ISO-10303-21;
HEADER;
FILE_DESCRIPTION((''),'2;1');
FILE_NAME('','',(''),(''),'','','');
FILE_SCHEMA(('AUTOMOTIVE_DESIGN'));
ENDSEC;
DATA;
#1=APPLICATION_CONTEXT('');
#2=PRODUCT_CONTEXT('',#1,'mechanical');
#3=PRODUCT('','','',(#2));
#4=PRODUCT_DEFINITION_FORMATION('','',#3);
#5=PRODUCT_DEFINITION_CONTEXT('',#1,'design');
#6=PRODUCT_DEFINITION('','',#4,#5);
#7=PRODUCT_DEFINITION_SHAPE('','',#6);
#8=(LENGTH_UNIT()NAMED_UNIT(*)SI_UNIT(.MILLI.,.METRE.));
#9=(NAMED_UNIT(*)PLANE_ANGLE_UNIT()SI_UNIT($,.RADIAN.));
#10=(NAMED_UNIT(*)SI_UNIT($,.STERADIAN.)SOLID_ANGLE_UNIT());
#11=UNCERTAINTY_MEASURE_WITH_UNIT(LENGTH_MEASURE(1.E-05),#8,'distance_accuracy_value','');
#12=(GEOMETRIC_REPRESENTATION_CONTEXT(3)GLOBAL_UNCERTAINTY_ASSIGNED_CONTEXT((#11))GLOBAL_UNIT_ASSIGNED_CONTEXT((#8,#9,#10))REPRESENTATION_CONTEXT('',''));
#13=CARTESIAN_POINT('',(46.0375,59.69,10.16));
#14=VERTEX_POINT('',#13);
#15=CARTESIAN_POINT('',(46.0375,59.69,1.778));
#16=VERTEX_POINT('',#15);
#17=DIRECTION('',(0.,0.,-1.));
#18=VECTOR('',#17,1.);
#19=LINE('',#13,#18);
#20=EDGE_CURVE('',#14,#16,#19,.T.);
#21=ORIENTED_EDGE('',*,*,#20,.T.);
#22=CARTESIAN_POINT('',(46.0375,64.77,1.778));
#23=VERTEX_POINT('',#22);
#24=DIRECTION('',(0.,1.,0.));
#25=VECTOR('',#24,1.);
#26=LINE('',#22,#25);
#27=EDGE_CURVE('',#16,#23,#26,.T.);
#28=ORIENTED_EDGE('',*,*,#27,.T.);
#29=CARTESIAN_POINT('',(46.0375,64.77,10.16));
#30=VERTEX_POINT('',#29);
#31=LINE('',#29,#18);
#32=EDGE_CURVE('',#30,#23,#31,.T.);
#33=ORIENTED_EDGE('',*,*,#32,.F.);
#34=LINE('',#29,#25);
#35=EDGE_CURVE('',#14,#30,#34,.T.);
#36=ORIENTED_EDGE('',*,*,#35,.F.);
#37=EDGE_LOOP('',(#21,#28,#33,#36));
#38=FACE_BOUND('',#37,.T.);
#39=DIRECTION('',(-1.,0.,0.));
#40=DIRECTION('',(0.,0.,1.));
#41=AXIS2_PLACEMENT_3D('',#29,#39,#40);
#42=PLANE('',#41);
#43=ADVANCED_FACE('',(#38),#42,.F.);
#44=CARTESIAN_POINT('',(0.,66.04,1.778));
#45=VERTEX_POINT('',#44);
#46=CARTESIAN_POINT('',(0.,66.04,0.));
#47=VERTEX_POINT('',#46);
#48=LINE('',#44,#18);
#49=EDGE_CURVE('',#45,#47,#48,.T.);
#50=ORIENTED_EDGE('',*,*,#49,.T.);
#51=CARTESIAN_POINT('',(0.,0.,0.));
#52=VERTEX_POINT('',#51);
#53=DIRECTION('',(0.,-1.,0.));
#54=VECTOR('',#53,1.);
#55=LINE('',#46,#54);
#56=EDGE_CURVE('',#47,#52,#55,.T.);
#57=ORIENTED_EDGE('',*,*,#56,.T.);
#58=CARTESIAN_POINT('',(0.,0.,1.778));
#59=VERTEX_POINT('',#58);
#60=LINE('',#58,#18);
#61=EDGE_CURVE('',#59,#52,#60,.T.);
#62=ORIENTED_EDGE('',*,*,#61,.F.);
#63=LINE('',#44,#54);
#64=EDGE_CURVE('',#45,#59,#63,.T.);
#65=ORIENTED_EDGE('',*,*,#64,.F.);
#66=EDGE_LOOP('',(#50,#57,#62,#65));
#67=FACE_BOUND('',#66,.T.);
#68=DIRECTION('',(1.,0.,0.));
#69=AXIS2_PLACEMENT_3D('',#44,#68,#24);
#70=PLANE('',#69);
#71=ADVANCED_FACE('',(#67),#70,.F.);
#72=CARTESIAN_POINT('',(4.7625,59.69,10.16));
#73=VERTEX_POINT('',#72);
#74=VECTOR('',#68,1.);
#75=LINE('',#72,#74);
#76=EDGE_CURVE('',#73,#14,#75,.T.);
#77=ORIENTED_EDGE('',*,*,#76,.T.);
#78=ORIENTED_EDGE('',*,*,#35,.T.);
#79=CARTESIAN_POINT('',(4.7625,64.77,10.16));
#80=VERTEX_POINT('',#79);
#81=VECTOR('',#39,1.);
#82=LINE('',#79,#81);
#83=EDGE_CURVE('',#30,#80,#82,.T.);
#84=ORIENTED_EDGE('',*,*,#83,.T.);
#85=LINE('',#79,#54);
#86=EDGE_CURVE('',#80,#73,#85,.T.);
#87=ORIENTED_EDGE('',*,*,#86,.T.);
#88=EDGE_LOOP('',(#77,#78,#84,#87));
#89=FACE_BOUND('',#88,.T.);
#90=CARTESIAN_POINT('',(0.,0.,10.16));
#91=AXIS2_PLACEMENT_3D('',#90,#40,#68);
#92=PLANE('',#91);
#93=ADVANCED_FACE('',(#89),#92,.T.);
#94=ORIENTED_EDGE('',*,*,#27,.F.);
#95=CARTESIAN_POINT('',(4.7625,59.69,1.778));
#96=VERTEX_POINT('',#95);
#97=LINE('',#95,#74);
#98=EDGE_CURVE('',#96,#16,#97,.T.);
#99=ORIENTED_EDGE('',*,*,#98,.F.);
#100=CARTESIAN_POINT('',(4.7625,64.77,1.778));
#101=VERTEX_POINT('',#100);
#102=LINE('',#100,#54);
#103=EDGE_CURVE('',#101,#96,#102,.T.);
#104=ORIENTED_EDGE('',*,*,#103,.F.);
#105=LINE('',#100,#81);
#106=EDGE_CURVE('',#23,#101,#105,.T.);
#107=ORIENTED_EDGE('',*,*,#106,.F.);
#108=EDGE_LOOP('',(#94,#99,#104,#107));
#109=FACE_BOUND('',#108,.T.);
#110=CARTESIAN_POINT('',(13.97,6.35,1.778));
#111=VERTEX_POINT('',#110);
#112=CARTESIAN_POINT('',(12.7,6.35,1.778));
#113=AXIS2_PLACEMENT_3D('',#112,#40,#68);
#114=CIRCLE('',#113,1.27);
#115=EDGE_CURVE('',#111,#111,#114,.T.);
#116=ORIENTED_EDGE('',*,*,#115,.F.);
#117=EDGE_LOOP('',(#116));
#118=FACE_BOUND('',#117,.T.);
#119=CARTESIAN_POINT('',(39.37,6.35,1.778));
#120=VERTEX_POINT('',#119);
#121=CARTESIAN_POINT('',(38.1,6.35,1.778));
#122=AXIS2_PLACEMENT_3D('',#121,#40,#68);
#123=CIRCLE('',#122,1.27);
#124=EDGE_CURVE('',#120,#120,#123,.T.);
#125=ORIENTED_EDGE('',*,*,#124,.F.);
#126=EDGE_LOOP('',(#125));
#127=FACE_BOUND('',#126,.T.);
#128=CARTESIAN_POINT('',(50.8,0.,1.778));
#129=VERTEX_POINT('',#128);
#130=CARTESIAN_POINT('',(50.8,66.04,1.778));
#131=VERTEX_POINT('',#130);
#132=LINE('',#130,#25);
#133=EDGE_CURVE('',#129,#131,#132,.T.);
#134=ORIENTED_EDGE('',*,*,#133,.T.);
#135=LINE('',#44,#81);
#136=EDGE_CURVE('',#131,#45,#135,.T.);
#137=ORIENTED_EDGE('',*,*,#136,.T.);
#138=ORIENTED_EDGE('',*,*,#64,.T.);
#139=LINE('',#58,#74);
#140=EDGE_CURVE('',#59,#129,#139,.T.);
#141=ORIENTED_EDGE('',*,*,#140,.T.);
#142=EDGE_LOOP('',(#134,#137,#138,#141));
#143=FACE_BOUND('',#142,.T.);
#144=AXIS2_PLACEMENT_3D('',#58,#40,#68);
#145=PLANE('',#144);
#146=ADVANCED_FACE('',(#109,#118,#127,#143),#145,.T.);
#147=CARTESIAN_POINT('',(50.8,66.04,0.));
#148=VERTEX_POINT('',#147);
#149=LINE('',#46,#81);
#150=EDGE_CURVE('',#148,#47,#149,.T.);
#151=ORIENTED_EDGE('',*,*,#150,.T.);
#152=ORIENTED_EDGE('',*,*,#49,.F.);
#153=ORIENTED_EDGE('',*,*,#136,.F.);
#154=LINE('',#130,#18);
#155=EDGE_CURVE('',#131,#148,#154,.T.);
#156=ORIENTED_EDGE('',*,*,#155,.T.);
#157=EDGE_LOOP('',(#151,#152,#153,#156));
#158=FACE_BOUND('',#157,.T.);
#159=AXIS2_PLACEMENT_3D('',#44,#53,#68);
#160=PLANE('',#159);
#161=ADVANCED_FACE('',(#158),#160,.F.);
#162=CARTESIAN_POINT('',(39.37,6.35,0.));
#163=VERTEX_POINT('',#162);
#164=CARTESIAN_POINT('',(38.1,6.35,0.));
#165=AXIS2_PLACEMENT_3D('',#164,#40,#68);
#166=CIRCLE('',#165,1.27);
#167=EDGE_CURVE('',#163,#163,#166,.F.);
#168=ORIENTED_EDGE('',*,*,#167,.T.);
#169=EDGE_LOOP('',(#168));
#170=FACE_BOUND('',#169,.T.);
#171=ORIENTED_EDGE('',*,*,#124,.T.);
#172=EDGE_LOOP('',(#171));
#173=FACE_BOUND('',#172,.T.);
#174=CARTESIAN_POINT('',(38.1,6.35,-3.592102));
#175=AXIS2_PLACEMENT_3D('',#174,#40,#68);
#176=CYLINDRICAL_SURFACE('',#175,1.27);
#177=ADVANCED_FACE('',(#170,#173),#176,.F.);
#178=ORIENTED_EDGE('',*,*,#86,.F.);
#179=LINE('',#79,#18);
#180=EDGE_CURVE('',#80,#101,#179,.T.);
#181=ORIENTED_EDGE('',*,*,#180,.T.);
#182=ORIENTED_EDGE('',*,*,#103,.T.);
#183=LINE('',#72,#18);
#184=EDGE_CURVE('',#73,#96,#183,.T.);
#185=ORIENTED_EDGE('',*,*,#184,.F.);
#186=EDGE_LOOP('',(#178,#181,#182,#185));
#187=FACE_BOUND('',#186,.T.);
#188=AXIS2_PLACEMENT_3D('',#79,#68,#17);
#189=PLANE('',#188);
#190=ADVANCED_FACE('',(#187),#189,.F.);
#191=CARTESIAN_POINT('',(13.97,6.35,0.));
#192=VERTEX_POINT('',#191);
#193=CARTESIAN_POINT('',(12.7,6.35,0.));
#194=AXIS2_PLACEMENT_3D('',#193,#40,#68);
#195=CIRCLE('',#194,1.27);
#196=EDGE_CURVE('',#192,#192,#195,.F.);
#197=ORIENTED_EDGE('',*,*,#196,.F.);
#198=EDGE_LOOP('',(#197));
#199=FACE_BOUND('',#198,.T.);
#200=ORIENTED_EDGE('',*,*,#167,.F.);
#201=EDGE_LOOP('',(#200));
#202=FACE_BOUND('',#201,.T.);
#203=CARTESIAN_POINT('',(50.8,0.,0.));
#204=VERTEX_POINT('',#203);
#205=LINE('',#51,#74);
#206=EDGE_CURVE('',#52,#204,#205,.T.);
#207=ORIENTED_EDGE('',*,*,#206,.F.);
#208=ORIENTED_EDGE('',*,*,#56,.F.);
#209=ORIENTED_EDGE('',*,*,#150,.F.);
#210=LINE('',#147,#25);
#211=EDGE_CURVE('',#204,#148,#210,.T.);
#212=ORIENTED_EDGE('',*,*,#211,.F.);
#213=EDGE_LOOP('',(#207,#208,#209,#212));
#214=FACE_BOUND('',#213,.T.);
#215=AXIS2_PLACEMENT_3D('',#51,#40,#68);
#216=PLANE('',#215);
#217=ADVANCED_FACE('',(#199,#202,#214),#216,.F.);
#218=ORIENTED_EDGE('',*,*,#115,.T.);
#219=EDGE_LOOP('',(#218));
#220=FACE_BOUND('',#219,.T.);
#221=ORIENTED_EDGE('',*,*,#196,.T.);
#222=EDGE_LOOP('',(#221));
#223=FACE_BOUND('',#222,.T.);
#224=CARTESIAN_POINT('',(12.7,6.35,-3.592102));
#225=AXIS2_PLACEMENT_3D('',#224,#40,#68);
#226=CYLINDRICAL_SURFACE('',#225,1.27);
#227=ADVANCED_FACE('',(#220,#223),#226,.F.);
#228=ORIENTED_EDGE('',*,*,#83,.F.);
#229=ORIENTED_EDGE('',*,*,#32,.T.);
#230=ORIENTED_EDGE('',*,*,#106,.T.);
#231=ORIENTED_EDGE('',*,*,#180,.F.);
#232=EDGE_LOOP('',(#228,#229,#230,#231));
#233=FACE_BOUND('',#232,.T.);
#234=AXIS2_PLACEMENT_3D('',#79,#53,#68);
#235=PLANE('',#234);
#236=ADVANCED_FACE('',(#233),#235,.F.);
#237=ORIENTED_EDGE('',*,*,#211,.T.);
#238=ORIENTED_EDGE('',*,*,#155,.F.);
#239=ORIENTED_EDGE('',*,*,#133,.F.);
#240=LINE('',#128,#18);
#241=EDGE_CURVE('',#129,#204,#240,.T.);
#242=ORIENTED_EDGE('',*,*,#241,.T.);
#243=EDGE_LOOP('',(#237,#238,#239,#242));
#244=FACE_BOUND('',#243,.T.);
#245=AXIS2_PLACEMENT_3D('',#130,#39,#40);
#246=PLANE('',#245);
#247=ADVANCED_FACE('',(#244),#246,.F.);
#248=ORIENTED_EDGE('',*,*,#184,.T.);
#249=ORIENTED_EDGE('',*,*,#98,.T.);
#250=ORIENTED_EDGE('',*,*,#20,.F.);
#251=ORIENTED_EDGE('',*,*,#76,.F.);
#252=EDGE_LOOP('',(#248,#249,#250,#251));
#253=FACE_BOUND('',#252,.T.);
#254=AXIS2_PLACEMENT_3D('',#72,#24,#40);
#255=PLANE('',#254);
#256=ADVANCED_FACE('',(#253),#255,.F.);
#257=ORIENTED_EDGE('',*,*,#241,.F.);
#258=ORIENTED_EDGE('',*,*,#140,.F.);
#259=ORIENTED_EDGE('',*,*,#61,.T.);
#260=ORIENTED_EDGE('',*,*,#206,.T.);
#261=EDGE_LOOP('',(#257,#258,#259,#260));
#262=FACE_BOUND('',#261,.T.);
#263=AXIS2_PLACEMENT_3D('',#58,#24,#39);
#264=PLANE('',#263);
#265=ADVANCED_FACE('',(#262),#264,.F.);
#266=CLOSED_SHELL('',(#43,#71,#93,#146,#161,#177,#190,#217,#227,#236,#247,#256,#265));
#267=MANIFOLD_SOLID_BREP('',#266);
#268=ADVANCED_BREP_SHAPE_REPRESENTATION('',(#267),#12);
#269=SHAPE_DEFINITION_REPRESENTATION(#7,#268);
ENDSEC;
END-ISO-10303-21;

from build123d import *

# Parameters (mm, degrees)
SKETCH1_W           = 50.8
SKETCH1_H           = 66.04
BOSS_EXTRUDE1_DEPTH = 1.778
SKETCH2_W           = 41.275
SKETCH2_H           = 5.08
BOSS_EXTRUDE2_DEPTH = 8.382
SKETCH3_R           = 1.27
CUT_EXTRUDE1_DEPTH  = 1.778


with BuildPart() as part:
    # Sketch1 → Boss-Extrude1 (new body)
    with BuildSketch(Plane.XY):
        with Locations((25.4, 33.02)):
            Rectangle(SKETCH1_W, SKETCH1_H)
    extrude(amount=BOSS_EXTRUDE1_DEPTH)

    # Sketch2 → Boss-Extrude2 (add)
    with BuildSketch(Plane.XY.offset(1.778)):
        with Locations((25.4, 62.23)):
            Rectangle(SKETCH2_W, SKETCH2_H)
    extrude(amount=BOSS_EXTRUDE2_DEPTH)

    # Sketch3 → Cut-Extrude1 (cut)
    with BuildSketch(Plane.XY.offset(1.778)):
        with Locations((12.7, 6.35)):
            Circle(SKETCH3_R)
        with Locations((38.1, 6.35)):
            Circle(SKETCH3_R)
    extrude(amount=-CUT_EXTRUDE1_DEPTH, mode=Mode.SUBTRACT)


solid = part.part
